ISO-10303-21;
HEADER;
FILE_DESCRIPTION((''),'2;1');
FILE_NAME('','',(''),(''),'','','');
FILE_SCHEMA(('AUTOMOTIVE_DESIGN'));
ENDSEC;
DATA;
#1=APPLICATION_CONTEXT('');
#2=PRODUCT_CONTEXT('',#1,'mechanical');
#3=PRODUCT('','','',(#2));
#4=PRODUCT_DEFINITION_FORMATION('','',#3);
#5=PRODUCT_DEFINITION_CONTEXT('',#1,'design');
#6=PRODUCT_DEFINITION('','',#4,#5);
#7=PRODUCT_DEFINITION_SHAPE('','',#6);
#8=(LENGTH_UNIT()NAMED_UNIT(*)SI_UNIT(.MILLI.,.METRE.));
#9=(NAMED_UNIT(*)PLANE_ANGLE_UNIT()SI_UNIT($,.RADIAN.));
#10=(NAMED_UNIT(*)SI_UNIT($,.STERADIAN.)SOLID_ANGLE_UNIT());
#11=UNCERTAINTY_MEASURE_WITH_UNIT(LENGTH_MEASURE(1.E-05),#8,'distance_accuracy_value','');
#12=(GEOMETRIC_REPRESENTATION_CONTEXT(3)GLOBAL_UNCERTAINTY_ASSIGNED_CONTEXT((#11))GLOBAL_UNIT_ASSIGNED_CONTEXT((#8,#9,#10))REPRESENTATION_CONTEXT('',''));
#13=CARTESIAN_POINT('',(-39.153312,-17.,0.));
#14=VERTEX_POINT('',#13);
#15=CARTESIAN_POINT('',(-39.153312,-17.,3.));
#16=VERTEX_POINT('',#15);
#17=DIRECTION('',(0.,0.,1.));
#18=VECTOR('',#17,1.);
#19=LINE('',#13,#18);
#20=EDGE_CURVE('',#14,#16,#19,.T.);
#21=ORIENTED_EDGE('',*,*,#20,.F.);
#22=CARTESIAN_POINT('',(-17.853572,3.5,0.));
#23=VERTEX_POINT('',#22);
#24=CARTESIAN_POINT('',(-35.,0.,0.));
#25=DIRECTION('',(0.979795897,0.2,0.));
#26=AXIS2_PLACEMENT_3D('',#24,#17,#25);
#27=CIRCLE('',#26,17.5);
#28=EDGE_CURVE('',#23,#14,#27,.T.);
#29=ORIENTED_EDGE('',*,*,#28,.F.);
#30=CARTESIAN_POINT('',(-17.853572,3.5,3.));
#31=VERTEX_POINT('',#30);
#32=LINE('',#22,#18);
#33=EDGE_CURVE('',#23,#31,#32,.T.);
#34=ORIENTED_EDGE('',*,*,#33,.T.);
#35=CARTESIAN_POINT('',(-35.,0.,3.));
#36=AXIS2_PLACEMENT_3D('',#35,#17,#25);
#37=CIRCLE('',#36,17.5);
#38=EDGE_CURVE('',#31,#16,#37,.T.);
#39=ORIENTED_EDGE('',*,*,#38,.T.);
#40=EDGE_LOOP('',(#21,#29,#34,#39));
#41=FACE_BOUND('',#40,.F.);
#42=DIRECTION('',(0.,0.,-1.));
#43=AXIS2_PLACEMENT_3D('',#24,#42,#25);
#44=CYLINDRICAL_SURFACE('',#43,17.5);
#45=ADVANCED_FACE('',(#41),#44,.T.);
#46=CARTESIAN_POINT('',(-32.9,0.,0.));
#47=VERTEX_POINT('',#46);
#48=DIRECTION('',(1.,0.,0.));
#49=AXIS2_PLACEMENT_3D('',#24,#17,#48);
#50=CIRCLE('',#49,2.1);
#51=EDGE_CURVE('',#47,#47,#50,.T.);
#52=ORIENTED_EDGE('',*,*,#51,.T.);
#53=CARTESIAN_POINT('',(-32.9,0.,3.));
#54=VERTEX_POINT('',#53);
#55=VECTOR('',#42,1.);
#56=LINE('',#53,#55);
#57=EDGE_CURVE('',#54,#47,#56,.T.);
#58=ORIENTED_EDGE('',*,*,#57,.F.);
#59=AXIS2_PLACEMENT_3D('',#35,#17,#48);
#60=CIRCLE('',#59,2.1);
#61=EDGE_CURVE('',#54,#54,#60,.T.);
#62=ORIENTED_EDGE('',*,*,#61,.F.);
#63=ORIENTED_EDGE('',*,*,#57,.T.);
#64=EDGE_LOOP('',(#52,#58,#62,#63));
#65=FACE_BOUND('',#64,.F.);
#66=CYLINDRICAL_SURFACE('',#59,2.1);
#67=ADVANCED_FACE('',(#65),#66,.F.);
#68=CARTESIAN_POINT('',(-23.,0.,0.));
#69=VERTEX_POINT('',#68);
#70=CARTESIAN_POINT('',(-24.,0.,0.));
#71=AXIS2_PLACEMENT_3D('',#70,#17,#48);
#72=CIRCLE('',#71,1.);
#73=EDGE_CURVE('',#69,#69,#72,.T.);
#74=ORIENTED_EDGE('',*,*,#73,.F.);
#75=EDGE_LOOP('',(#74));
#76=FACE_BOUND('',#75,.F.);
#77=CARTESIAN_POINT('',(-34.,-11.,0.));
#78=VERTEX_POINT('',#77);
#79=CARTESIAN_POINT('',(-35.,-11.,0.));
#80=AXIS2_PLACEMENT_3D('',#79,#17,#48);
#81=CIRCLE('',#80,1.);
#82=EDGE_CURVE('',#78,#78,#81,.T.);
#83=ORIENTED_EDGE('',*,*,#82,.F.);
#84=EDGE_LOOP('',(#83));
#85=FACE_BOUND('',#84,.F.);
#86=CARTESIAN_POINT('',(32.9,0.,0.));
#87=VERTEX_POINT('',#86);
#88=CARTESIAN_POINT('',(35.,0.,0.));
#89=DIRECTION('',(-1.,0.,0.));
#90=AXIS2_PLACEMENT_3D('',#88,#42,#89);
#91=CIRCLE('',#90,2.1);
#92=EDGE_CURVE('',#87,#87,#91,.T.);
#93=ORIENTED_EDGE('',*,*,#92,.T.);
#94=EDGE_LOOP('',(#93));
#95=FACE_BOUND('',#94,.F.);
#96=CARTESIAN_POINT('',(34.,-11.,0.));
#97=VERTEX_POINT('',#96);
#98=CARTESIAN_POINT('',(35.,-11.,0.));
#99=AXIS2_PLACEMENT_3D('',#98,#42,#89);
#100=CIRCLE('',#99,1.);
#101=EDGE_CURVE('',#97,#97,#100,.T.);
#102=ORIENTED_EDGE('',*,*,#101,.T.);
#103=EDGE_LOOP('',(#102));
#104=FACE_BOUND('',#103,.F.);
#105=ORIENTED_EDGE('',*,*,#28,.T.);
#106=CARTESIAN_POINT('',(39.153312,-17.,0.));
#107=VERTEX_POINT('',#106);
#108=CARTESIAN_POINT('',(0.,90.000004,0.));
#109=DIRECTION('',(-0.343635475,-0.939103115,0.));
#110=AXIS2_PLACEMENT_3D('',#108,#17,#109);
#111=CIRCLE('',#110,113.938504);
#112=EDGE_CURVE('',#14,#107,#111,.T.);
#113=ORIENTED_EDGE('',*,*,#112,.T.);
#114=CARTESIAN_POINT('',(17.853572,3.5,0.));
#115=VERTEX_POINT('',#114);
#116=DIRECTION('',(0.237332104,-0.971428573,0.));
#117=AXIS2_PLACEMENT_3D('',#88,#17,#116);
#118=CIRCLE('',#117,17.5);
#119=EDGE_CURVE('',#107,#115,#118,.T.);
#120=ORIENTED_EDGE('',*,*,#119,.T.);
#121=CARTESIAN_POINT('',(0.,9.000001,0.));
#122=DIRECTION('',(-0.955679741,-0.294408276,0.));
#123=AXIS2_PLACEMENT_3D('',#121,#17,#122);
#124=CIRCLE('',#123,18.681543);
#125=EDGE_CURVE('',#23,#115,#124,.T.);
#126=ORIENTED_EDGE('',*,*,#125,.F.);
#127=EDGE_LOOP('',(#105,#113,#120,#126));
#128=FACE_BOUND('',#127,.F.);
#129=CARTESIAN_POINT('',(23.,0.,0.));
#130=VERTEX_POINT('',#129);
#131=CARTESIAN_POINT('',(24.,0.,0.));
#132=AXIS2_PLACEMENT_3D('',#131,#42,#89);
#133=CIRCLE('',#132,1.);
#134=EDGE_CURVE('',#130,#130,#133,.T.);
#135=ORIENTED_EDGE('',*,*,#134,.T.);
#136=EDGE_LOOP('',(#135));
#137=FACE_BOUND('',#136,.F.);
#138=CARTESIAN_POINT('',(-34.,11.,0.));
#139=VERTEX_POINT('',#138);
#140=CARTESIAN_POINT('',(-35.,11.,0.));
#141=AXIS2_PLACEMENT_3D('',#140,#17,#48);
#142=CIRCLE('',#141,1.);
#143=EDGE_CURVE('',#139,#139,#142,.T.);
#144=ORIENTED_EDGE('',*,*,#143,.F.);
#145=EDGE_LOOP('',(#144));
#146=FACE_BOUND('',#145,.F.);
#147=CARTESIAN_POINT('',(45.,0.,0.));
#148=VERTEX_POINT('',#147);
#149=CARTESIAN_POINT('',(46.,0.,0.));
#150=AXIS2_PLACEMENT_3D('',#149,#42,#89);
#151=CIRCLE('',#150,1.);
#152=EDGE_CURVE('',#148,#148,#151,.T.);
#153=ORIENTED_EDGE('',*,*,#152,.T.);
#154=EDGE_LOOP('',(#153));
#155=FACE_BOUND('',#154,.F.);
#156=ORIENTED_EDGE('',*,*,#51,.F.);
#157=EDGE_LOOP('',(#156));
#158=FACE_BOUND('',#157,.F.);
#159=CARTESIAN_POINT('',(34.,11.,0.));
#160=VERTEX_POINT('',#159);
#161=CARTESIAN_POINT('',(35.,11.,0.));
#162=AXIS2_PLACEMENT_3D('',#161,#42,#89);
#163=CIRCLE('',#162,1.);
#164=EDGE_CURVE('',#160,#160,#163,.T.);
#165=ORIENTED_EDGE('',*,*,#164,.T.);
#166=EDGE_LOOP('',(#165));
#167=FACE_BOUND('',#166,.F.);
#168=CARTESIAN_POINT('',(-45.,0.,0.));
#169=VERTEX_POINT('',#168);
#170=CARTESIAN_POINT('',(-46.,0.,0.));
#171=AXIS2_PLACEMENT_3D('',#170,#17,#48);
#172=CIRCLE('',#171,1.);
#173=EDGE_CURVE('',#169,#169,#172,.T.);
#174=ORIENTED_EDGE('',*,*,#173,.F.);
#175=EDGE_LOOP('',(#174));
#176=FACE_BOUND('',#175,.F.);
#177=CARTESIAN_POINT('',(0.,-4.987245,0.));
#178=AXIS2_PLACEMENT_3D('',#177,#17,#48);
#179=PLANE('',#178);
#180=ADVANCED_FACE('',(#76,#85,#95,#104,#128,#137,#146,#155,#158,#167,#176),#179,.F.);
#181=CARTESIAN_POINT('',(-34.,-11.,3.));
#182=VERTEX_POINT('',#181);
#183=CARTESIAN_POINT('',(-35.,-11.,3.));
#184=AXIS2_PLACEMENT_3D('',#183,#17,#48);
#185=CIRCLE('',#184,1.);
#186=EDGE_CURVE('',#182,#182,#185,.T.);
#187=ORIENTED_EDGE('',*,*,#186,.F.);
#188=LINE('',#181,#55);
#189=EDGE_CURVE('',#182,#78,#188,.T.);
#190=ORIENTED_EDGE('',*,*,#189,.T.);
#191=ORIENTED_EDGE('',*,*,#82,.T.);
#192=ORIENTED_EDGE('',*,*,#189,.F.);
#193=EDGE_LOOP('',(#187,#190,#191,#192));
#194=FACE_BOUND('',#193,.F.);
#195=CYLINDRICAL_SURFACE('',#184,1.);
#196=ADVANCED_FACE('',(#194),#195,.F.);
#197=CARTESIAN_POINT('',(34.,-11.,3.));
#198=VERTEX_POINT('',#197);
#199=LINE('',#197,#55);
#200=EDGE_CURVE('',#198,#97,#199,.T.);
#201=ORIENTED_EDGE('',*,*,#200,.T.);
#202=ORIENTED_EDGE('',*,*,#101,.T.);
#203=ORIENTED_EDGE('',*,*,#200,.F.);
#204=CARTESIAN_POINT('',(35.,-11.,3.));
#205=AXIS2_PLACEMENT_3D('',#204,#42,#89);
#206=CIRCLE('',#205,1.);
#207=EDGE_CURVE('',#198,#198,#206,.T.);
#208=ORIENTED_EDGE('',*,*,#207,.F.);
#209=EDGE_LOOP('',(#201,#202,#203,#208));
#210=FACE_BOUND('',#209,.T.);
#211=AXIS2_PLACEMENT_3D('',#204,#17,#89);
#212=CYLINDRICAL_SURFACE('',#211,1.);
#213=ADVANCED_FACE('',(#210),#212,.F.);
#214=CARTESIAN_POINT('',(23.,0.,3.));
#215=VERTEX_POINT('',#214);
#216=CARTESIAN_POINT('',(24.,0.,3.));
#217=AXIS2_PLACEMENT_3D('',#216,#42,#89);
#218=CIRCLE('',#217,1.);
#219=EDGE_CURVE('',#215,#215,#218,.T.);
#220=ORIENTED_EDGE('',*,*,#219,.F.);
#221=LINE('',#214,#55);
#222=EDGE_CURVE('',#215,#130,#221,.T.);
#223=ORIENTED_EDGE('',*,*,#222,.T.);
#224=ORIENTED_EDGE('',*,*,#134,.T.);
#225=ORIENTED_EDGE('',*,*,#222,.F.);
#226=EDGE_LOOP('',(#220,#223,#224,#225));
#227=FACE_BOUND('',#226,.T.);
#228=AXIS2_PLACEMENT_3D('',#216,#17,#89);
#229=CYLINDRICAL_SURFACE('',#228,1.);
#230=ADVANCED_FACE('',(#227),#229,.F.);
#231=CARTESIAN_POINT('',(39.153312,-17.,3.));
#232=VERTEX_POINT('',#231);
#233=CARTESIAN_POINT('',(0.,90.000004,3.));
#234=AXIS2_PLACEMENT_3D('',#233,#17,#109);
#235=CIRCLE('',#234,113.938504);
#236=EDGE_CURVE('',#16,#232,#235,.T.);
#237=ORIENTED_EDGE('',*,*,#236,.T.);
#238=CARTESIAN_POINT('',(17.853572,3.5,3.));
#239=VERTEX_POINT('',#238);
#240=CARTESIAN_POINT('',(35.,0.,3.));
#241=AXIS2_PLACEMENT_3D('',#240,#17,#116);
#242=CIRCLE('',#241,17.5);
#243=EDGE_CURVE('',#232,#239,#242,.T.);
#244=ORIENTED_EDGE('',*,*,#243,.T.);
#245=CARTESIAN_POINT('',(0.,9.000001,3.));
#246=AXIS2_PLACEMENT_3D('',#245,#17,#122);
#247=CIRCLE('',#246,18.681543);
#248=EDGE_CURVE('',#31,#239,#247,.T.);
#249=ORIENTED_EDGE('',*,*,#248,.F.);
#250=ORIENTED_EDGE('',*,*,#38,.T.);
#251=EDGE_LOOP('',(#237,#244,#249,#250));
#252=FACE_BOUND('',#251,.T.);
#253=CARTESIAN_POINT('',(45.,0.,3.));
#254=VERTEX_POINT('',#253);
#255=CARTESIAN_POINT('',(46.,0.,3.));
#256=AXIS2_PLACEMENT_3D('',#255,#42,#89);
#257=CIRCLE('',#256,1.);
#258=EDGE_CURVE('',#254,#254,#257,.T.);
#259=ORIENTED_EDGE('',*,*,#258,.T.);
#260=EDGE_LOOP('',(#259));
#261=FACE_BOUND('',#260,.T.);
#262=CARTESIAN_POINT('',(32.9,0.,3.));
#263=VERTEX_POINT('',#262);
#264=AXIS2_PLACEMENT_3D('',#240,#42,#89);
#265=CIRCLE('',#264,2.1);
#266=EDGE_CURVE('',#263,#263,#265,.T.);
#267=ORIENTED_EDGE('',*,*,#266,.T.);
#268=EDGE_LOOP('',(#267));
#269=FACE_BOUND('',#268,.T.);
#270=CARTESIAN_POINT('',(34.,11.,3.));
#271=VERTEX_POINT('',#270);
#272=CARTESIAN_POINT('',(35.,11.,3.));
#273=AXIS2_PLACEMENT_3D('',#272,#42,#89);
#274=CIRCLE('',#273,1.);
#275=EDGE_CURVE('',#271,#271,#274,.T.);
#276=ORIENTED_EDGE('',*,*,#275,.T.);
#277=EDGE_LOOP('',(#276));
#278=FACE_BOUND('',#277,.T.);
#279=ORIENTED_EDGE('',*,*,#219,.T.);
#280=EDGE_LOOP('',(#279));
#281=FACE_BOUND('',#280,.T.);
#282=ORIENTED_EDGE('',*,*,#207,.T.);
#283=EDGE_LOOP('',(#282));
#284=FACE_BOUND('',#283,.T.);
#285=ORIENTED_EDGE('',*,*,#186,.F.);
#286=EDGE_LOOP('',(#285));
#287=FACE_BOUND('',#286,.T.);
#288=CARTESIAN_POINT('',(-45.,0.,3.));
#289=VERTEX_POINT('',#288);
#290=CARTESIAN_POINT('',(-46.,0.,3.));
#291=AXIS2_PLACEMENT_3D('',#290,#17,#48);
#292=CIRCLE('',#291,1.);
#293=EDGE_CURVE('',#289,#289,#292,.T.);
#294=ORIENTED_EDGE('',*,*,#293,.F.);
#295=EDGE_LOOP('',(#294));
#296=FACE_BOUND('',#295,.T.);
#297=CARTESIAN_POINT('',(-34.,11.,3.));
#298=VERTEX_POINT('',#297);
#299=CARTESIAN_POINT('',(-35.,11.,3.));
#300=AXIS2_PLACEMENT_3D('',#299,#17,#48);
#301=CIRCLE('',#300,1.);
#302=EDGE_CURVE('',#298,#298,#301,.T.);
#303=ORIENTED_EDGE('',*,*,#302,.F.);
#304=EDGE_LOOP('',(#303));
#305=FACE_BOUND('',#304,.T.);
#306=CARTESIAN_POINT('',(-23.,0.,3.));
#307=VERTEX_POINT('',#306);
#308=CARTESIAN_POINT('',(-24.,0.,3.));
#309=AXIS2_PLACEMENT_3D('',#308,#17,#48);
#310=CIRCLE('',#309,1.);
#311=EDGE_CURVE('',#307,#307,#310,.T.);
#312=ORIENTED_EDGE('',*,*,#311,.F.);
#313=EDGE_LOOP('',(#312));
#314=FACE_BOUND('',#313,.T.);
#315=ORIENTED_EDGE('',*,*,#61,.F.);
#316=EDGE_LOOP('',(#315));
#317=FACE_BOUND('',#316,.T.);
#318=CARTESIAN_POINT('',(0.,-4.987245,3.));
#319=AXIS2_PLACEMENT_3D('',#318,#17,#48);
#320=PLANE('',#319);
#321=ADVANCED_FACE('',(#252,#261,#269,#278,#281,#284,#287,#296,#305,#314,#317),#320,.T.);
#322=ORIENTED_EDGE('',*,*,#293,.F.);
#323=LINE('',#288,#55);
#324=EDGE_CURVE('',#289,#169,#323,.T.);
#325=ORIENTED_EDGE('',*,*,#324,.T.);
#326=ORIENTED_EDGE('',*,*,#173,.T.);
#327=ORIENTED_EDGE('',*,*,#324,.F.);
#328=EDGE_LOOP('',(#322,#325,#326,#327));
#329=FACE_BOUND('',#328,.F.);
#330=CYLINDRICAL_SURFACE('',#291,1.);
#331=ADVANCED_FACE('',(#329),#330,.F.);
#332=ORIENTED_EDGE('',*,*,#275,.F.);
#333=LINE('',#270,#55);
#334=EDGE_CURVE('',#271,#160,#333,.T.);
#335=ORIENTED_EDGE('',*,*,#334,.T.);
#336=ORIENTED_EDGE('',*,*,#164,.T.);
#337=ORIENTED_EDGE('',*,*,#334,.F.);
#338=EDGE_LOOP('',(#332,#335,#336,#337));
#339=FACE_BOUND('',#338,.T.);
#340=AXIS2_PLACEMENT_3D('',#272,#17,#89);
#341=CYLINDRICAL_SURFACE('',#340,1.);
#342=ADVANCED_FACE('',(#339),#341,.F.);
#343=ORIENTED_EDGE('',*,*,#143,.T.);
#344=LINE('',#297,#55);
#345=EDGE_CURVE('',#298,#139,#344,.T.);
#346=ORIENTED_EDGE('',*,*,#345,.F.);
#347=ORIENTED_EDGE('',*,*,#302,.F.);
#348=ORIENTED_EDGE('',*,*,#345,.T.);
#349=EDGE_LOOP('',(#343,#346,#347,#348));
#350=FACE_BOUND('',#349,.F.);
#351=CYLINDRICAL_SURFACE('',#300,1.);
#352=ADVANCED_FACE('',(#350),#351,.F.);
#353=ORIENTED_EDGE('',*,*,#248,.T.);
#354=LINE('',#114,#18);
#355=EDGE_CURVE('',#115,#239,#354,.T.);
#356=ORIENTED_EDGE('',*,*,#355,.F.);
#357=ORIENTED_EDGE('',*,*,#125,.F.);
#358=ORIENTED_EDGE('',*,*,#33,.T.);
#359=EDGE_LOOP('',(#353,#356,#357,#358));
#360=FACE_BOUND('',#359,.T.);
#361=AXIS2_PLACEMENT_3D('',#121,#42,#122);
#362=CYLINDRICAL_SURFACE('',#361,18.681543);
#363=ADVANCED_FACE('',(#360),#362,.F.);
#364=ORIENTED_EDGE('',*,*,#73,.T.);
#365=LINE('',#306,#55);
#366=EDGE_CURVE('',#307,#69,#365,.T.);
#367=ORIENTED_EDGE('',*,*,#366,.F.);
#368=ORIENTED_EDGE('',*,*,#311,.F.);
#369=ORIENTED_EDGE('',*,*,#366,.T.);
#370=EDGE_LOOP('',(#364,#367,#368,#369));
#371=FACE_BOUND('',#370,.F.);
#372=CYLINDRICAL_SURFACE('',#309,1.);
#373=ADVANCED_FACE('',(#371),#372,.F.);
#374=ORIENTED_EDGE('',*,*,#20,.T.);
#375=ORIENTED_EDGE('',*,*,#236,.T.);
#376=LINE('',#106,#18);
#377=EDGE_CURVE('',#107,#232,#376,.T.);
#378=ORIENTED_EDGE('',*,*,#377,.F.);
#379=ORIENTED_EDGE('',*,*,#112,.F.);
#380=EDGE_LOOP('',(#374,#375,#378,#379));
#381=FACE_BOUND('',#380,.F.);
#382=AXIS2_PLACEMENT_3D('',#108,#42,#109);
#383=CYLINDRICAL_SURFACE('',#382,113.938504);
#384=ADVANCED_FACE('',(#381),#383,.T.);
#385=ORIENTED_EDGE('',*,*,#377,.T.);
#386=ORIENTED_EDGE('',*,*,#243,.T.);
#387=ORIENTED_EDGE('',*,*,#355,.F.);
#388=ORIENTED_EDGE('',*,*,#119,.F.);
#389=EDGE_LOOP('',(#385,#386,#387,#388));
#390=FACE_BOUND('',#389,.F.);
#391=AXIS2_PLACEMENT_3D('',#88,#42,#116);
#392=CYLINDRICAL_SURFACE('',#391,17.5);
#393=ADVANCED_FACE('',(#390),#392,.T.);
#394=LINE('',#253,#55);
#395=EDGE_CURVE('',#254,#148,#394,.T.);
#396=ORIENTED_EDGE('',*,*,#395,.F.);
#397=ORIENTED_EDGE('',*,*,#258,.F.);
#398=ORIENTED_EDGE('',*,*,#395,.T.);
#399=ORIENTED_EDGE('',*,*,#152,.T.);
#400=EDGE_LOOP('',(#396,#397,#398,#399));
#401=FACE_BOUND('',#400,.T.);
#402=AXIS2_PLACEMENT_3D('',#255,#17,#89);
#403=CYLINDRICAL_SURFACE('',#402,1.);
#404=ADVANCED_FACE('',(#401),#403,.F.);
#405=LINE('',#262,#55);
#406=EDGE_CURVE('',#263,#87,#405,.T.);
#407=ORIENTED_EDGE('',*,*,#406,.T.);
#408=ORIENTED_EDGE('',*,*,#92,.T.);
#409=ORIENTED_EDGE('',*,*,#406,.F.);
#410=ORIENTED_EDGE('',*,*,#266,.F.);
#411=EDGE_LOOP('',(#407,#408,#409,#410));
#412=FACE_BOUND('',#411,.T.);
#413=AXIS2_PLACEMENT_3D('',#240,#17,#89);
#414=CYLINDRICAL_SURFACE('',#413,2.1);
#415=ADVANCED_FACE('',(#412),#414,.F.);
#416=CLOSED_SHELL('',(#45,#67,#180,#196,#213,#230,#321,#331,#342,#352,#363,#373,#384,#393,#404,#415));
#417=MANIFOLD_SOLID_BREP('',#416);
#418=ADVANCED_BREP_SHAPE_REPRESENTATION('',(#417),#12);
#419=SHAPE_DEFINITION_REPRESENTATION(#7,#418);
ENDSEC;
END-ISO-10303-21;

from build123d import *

# Parameters (mm, degrees)
PAD_DEPTH     = 3
SKETCH001_R   = 1
SKETCH001_R_2 = 2.1
POCKET_DEPTH  = 3


with BuildPart() as part:
    # Sketch → Pad (new body)
    with BuildSketch(Plane.XY):
        with BuildLine():
            ThreePointArc((-39.153312, -17), (0, -23.9385), (39.153312, -17))
            ThreePointArc((39.153312, -17), (47.135393, 12.608816), (17.853572, 3.5))
            ThreePointArc((-17.853572, 3.5), (0, -9.681542), (17.853572, 3.5))
            ThreePointArc((-17.853572, 3.5), (-47.135393, 12.608816), (-39.153312, -17))
        make_face()
    extrude(amount=PAD_DEPTH)

    # Sketch001 (on Face6 of Pad) → Pocket (cut)
    with BuildSketch(Plane.XY.offset(3)):
        with Locations((-35, 11)):
            Circle(SKETCH001_R)
        with Locations((-35, -11)):
            Circle(SKETCH001_R)
        with Locations((-46, 0)):
            Circle(SKETCH001_R)
        with Locations((-24, 0)):
            Circle(SKETCH001_R)
        with Locations((-35, 0)):
            Circle(SKETCH001_R_2)
    pocket = extrude(amount=-POCKET_DEPTH, mode=Mode.SUBTRACT)

    # Mirrored: Pocket across Sketch001 V_Axis
    add(pocket.mirror(Plane(origin=(0, 0, 3), x_dir=(0, 0, 1), z_dir=(1, 0, 0))), mode=Mode.SUBTRACT)


solid = part.part
